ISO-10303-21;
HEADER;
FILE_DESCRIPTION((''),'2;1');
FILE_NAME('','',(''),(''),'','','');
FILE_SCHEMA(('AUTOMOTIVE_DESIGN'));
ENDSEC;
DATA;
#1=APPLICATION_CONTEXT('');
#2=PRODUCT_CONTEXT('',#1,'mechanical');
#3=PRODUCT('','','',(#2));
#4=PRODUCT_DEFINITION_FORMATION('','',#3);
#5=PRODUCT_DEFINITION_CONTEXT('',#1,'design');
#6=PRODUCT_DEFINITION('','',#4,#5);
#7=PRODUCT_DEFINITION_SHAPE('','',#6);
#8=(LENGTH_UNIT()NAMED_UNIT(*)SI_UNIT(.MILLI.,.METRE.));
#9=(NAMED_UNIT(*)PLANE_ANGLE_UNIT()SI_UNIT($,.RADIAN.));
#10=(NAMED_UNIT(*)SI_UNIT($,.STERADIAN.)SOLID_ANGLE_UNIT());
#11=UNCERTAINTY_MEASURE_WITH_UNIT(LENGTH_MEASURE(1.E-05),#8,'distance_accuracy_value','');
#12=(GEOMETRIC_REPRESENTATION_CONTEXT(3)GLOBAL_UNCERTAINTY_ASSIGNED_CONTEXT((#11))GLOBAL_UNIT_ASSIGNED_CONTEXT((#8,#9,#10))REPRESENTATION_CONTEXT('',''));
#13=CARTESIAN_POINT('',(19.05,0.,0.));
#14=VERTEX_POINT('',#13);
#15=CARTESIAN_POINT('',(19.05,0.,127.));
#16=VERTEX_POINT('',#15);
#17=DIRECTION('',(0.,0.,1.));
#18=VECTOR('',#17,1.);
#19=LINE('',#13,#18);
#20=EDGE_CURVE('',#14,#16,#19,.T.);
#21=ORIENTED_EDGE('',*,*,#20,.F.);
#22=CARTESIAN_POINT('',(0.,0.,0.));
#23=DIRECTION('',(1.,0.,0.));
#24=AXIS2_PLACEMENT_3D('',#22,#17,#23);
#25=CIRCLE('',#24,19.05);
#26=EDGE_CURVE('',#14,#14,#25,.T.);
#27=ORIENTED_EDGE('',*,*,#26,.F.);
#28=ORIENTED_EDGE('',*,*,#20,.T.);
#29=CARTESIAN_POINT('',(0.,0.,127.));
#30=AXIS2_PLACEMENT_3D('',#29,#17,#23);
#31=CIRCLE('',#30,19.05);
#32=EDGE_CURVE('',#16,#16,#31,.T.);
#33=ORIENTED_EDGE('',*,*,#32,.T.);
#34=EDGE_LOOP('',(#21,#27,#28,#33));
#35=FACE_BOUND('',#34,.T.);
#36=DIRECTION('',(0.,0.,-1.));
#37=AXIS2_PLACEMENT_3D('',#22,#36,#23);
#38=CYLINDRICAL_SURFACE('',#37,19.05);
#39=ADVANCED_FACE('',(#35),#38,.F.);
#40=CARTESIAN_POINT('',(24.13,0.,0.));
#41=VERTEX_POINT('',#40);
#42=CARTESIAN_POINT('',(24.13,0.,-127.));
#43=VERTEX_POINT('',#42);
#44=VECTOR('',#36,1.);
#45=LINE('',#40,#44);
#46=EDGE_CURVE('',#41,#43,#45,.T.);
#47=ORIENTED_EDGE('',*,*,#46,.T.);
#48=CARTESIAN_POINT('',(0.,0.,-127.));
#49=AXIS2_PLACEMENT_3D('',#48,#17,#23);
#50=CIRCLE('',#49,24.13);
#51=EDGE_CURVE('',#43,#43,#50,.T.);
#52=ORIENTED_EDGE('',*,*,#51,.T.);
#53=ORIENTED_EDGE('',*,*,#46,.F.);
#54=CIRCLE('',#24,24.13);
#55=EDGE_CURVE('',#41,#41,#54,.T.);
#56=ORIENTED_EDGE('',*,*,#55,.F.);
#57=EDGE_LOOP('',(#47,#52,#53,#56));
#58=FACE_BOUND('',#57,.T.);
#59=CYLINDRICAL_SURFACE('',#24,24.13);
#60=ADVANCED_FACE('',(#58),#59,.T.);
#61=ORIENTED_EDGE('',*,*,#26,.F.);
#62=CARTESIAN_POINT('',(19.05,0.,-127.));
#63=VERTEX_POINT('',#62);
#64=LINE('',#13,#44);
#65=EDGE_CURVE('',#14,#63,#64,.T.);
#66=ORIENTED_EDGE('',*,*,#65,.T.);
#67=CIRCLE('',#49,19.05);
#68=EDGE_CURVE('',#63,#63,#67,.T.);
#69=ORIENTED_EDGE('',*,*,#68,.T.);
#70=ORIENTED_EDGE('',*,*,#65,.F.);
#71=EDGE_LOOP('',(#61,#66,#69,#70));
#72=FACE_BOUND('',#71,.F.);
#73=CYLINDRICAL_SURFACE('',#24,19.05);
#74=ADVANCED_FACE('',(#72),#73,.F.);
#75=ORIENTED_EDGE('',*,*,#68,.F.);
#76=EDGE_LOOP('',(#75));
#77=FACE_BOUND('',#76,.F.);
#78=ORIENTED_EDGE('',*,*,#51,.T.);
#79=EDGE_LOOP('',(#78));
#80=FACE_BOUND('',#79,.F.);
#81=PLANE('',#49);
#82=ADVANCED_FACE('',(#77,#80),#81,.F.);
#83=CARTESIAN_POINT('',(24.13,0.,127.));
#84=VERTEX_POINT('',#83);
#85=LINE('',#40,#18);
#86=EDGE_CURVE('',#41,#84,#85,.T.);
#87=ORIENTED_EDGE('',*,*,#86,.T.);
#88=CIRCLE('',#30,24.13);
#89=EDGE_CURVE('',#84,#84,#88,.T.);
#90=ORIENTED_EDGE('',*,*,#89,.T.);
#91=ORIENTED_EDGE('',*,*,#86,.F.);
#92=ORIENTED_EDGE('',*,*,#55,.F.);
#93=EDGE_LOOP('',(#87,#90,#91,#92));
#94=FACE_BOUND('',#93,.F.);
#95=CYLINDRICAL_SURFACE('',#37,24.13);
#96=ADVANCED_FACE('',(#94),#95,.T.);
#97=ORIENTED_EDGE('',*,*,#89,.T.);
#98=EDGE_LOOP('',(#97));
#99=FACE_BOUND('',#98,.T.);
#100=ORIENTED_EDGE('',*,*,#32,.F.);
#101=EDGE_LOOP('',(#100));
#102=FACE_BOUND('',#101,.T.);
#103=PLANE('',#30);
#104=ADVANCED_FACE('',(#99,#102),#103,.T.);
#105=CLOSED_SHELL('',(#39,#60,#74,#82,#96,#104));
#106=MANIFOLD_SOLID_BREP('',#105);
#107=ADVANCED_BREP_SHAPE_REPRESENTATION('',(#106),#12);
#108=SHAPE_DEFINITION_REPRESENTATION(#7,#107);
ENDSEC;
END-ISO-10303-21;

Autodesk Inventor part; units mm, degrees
ref_plane "YZ Plane" through (0, 0, 0) normal (1, 0, 0) x (0, 1, 0)
ref_plane "XZ Plane" through (0, 0, 0) normal (0, 1, 0) x (-1, 0, 0)
ref_plane "XY Plane" through (0, 0, 0) normal (0, 0, 1) x (1, 0, 0)
sketch "Sketch1" plane through (0, 0, 0) normal (0, 0, 1) x (1, 0, 0)
  circle A0 centre (0, 0) radius 19.05
  circle A1 centre (0, 0) radius 24.13
  dimension "d0" = 38.1
  dimension "d1" = 48.26
extrude "Extrusion1" add sketch "Sketch1" along normal mid plane 254
properties part number "pipeForExteriorOfGripper" material "PVC-Piping"
